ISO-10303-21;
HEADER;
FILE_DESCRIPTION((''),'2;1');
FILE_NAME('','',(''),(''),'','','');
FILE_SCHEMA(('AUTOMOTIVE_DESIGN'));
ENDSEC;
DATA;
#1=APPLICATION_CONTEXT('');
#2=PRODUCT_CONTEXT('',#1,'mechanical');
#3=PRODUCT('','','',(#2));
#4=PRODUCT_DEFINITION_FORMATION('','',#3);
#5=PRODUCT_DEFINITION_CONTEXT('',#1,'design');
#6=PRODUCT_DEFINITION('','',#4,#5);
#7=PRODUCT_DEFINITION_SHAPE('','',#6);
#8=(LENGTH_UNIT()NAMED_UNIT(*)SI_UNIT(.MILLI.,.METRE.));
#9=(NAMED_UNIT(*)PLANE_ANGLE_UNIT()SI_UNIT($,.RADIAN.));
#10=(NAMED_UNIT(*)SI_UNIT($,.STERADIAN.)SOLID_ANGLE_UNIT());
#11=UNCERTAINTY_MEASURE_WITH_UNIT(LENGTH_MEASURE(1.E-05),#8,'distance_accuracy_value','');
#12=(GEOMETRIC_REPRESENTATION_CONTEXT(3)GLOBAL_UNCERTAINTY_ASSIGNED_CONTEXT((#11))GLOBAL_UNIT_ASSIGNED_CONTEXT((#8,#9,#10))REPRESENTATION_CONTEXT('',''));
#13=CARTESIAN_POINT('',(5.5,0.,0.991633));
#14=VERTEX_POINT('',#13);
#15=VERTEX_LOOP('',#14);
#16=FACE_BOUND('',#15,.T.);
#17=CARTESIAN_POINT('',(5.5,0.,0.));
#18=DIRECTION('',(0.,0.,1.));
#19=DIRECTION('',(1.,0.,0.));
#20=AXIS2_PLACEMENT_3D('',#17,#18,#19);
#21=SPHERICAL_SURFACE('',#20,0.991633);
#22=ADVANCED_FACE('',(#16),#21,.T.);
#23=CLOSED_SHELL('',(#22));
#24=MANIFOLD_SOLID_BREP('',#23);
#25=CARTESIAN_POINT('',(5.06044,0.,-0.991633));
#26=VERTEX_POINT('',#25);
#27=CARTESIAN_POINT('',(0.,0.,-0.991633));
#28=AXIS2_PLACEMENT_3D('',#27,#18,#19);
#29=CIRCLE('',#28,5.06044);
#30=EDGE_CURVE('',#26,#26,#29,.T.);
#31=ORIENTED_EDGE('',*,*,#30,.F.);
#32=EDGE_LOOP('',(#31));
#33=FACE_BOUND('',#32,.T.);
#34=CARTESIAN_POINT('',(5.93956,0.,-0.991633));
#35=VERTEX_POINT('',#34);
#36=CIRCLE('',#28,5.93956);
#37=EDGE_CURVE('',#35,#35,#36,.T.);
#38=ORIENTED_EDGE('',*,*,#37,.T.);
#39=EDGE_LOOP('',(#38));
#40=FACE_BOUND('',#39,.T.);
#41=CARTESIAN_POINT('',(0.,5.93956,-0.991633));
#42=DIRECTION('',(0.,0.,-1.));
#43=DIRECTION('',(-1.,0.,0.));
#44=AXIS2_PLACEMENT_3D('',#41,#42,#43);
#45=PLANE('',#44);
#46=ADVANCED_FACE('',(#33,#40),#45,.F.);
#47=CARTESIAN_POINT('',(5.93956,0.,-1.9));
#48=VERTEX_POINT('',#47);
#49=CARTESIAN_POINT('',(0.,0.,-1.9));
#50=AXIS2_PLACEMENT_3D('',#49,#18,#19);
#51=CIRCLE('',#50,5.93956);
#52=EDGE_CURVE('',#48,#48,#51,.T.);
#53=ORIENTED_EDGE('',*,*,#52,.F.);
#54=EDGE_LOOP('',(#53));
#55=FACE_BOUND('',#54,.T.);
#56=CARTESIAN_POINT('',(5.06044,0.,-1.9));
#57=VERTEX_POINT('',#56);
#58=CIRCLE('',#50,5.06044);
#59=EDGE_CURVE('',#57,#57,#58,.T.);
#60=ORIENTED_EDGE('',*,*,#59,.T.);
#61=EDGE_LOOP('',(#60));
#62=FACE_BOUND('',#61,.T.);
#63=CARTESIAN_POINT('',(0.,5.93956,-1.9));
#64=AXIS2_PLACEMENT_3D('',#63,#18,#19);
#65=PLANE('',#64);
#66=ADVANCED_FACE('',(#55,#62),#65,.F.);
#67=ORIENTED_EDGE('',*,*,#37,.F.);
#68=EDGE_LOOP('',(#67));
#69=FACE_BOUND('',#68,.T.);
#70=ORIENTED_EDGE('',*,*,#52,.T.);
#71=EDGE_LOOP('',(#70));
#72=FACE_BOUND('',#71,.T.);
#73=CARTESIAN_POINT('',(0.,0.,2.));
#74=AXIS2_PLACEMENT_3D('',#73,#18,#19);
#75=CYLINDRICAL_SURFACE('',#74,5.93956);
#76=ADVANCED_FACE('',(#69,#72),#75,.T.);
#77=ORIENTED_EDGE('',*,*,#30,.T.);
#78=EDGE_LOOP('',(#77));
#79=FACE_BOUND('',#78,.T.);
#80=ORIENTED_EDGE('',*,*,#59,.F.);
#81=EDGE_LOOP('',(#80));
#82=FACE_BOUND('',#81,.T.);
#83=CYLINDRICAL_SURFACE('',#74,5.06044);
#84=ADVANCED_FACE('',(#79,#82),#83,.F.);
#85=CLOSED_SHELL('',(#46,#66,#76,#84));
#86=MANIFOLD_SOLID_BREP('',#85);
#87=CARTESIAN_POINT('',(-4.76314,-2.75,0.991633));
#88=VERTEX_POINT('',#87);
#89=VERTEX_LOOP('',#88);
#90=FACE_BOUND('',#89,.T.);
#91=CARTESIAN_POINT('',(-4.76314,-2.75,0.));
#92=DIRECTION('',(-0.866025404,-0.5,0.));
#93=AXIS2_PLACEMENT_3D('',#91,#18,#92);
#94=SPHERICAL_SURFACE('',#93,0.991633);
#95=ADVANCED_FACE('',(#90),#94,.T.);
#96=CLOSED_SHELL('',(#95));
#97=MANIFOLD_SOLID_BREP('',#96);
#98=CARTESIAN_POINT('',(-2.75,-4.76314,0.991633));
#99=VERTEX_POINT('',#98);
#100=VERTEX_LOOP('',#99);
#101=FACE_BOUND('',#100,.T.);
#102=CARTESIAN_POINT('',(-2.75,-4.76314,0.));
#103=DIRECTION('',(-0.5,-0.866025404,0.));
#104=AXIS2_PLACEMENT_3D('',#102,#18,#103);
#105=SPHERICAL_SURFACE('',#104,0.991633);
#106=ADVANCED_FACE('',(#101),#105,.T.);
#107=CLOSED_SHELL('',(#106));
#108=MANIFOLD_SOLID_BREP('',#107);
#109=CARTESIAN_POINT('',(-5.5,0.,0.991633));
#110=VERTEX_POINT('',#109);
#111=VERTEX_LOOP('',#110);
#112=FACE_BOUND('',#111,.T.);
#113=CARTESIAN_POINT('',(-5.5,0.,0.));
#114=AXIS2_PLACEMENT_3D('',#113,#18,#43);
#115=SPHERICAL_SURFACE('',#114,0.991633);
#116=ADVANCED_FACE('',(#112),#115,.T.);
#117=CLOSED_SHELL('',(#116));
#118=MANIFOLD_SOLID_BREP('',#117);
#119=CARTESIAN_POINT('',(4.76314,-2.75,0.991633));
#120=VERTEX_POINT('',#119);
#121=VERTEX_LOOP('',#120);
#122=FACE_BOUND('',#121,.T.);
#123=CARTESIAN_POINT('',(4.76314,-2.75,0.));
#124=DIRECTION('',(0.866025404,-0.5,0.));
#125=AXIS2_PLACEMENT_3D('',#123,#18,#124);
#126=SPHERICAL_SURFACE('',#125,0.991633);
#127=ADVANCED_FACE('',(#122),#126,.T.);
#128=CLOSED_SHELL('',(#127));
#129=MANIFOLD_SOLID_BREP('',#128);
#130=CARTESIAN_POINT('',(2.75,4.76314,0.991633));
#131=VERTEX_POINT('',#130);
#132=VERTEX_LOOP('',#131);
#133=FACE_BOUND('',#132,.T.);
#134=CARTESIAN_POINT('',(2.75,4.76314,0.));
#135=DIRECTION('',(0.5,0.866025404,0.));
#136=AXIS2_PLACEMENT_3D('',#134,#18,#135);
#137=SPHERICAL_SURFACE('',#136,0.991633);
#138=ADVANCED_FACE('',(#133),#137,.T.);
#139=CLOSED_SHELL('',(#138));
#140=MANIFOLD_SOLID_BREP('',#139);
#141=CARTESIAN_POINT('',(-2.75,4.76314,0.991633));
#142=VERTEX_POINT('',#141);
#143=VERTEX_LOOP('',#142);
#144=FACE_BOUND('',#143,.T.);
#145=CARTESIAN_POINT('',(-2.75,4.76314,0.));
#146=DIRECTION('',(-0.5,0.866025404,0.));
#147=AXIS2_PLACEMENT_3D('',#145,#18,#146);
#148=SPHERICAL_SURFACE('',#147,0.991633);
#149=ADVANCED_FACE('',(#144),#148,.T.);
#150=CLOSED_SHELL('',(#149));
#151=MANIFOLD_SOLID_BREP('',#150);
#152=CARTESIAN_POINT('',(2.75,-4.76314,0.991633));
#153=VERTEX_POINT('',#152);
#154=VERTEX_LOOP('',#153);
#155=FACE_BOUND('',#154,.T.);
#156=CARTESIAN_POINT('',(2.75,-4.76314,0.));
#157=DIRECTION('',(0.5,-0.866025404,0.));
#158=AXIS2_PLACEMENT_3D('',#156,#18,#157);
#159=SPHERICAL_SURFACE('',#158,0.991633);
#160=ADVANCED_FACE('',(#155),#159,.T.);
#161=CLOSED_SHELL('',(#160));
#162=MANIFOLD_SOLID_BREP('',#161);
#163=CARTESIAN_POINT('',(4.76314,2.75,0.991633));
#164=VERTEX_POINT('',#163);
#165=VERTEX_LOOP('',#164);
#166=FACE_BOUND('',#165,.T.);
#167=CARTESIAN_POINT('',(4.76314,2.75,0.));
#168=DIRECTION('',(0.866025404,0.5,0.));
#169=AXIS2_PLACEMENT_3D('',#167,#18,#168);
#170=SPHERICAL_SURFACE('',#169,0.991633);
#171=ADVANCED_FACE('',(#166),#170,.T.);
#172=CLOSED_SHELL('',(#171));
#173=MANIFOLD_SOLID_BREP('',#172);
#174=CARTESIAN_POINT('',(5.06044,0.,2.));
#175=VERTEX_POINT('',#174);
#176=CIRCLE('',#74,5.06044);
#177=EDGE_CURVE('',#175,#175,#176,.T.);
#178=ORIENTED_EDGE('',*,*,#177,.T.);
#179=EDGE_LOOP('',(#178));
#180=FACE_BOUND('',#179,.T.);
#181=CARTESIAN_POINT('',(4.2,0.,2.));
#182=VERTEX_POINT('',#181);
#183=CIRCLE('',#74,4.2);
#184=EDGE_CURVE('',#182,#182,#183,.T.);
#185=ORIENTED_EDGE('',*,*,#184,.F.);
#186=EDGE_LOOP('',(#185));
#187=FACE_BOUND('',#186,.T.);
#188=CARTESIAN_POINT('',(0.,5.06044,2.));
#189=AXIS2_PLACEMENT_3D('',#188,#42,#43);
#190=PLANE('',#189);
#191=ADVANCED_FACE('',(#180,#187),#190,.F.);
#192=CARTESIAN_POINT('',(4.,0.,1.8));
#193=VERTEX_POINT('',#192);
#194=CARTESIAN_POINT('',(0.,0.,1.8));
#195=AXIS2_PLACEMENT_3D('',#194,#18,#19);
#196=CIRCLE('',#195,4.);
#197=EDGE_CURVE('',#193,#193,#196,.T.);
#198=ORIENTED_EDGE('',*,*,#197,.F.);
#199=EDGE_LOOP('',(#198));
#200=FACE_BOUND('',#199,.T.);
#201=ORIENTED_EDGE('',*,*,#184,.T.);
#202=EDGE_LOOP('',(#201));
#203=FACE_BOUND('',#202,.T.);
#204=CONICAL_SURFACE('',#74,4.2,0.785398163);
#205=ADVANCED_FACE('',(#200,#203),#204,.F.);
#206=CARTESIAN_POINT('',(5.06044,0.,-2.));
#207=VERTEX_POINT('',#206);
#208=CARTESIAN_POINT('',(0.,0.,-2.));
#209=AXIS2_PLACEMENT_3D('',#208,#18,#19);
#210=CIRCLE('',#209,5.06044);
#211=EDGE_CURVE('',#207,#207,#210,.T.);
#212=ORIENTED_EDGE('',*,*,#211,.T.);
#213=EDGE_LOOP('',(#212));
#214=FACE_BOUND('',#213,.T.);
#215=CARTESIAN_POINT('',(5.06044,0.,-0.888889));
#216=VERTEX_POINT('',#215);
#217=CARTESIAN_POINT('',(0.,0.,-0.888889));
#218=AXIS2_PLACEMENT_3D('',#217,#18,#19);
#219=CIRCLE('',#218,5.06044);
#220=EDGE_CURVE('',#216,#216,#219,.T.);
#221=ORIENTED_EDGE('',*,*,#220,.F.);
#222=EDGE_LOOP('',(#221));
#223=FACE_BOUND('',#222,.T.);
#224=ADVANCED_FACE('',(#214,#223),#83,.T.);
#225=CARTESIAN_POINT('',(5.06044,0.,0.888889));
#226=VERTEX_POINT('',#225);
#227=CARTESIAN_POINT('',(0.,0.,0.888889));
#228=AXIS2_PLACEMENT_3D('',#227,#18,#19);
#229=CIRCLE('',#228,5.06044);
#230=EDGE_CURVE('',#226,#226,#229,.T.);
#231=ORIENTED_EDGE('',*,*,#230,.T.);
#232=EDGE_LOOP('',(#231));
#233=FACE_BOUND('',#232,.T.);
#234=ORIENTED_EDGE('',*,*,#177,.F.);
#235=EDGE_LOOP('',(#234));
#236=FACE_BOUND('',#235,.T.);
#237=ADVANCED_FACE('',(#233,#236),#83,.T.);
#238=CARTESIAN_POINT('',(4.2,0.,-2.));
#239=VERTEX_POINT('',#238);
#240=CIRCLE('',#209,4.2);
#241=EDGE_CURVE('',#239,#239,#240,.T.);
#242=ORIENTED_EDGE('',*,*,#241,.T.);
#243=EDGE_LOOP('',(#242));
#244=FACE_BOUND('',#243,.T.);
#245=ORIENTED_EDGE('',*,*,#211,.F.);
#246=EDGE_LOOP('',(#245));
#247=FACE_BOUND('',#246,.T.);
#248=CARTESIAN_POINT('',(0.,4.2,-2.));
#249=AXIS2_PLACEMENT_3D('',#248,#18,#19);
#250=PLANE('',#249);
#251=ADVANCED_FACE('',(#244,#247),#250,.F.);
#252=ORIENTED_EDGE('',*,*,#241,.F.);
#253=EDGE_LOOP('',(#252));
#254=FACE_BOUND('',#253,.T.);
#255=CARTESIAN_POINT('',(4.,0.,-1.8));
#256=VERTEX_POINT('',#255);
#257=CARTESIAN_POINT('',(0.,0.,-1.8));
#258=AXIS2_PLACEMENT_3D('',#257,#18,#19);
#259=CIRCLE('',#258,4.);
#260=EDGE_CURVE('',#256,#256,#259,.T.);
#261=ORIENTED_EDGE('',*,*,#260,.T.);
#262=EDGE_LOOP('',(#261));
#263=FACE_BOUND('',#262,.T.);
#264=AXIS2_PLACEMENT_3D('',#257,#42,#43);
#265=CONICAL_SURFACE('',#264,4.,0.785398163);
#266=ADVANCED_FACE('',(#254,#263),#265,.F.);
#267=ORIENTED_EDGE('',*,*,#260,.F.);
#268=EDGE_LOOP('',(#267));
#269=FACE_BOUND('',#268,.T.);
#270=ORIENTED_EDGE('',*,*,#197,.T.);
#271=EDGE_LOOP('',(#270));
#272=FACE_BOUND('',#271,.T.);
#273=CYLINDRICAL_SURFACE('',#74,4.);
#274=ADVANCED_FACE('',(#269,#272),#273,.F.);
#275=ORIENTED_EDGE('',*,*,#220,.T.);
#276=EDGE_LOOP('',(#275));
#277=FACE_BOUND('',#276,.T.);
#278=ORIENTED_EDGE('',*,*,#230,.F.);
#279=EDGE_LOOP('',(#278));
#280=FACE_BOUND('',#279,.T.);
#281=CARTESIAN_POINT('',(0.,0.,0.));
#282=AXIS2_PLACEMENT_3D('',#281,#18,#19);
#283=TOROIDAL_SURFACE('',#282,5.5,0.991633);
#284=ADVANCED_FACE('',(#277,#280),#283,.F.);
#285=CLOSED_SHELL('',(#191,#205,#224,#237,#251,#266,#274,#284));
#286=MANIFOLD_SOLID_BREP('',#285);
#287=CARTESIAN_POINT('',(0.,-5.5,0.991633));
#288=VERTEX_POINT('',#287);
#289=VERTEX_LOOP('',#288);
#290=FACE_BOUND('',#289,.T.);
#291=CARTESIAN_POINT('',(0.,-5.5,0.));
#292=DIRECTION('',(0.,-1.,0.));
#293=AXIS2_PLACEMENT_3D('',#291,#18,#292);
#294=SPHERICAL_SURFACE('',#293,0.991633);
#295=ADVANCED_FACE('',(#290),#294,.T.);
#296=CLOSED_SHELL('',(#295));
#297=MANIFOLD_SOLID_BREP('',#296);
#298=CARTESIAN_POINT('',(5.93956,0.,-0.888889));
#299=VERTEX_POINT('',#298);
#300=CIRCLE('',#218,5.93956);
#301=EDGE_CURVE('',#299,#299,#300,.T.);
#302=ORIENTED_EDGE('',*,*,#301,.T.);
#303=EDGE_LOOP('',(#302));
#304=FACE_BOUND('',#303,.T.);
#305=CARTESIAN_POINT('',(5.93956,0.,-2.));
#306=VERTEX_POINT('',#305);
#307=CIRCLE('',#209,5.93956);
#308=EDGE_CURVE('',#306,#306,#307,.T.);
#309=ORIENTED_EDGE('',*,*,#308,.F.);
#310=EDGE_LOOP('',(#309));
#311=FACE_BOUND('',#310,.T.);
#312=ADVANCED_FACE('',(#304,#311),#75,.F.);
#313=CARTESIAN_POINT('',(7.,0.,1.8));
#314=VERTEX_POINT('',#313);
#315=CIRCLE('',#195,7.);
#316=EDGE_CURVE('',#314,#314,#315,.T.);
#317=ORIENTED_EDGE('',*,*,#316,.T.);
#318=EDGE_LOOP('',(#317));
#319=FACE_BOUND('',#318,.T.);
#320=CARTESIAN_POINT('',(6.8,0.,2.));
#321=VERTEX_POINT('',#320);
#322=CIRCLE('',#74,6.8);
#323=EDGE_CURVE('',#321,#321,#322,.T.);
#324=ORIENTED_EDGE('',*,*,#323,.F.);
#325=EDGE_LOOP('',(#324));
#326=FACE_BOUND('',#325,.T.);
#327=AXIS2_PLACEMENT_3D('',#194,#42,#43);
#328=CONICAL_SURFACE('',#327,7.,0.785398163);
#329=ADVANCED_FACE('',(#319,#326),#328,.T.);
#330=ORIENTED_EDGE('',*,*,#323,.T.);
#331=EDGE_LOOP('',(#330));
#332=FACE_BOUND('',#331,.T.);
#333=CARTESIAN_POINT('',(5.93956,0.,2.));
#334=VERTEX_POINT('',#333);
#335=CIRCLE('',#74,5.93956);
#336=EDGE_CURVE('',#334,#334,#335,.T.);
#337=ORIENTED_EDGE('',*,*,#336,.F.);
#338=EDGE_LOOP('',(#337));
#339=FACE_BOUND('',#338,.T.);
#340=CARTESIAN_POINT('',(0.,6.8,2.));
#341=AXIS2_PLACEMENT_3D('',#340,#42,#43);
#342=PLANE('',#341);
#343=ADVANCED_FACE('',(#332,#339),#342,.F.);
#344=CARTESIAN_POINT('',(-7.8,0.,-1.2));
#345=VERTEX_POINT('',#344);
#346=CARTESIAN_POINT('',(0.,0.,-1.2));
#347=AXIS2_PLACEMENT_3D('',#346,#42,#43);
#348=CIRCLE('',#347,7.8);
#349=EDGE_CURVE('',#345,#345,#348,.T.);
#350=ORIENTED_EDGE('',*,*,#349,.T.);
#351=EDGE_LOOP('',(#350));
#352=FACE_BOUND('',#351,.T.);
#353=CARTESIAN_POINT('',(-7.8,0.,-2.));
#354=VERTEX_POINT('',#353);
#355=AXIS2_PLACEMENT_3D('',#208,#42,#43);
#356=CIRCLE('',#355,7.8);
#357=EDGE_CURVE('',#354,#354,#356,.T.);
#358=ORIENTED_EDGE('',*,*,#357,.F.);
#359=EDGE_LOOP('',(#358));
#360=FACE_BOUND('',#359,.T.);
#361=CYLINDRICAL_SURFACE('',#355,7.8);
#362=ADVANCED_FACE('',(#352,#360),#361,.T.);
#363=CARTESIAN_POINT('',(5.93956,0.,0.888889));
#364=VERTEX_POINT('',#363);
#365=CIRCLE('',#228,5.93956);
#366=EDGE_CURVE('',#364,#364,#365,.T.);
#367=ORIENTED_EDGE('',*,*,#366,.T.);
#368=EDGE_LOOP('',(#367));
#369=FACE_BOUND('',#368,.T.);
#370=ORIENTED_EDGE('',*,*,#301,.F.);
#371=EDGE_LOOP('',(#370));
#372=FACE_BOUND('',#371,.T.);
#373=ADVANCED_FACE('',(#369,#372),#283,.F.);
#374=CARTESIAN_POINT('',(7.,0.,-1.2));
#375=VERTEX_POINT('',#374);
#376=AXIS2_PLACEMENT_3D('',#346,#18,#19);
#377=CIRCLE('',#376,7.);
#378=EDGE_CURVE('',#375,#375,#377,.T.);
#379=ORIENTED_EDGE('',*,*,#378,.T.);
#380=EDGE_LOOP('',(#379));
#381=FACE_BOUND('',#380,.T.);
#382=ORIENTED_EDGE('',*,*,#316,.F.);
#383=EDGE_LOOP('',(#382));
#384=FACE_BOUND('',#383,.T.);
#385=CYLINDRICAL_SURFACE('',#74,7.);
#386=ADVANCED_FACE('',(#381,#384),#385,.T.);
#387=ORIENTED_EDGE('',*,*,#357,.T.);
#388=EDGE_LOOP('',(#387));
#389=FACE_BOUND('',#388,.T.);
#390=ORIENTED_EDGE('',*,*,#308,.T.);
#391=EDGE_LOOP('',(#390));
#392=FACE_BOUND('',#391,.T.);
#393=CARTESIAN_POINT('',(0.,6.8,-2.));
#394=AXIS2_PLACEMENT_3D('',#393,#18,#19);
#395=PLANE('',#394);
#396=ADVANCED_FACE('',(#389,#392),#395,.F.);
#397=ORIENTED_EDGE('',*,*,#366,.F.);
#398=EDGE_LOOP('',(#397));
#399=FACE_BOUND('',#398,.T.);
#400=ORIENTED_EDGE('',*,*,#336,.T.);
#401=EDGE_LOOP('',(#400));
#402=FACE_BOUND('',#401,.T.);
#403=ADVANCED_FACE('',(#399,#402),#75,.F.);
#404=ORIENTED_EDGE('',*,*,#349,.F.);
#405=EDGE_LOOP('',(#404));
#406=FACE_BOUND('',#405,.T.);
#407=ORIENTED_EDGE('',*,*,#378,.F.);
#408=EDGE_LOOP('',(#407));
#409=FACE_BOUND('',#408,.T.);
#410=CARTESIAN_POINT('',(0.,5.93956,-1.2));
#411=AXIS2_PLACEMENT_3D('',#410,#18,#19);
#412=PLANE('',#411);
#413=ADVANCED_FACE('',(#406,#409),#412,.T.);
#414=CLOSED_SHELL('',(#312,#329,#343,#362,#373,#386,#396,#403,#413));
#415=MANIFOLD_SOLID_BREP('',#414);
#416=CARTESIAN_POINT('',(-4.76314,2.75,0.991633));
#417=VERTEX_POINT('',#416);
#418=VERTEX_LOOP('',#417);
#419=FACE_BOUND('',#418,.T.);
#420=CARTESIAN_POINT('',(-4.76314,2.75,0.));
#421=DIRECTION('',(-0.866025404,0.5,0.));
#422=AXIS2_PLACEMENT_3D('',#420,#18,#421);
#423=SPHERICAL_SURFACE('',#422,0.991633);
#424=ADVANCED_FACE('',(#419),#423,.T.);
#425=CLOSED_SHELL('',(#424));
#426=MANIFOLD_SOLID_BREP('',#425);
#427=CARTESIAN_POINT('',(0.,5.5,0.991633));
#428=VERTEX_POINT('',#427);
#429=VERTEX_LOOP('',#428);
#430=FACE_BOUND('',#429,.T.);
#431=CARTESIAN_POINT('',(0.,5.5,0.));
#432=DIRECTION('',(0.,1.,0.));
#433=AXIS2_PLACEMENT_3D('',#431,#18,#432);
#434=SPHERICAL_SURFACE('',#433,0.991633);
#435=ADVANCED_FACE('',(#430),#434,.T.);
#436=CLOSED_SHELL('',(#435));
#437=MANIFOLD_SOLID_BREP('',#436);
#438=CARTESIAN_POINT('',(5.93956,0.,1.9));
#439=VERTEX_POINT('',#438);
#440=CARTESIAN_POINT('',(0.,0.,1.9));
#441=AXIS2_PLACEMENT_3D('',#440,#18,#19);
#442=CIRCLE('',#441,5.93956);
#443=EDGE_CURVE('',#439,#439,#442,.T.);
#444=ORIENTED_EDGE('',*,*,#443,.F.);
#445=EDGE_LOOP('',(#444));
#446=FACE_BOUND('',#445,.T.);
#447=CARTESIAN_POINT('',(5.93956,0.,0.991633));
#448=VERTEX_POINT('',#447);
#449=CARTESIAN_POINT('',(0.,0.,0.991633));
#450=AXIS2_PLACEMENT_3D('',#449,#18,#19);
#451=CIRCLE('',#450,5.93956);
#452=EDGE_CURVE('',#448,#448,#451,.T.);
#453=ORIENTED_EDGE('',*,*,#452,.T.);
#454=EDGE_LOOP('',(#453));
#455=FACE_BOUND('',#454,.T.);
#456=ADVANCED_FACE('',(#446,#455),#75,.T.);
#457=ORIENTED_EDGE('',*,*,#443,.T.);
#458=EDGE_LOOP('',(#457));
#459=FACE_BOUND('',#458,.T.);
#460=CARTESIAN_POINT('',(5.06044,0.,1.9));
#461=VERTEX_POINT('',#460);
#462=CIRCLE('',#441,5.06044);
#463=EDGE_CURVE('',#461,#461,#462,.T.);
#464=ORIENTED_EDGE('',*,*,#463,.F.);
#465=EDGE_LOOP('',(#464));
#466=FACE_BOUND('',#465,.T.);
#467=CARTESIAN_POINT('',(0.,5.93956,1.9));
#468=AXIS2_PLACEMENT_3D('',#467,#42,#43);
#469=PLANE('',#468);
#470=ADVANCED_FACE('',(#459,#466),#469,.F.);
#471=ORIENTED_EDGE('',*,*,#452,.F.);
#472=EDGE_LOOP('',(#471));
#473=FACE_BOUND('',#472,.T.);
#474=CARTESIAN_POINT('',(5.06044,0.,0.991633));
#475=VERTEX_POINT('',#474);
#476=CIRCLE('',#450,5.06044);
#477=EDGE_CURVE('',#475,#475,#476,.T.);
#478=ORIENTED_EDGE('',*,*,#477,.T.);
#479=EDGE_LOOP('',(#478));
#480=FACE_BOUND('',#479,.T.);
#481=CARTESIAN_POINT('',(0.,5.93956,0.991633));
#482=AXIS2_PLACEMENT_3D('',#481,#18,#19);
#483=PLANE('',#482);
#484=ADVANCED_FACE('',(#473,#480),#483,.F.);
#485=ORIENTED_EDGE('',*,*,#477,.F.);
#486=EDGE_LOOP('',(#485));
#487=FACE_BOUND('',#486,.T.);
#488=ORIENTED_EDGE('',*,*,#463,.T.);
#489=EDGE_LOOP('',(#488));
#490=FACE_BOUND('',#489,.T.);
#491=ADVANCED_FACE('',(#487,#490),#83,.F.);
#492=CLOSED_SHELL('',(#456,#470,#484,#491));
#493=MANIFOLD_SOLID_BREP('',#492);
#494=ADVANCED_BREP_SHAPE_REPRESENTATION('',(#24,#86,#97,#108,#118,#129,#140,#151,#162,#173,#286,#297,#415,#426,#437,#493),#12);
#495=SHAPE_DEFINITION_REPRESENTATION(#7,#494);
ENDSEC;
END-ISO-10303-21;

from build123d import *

# Parameters (mm, degrees)
CIRPATTERN1_COUNT = 12
SKETCH5_W         = 0.908366581
SKETCH5_H         = 0.87912088
SKETCH6_W         = 0.8
SKETCH6_H         = 1.86043956


with BuildPart() as part:
    # Sketch1 → Revolve1 (revolve)
    with BuildSketch(Plane(origin=(0, 0, 0), x_dir=(0, 0, -1), z_dir=(1, 0, 0))):
        with BuildLine():
            Line((1.8, 7), (-1.8, 7))
            Line((-1.8, 7), (-2, 6.8))
            Line((-2, 6.8), (-2, 5.93956044))
            Line((-2, 5.93956044), (-0.888888889, 5.93956044))
            ThreePointArc((-0.888888889, 5.93956044), (0, 6.491633419), (0.888888889, 5.93956044))
            Line((0.888888889, 5.93956044), (2, 5.93956044))
            Line((2, 5.93956044), (2, 6.8))
            Line((2, 6.8), (1.8, 7))
        make_face()
    revolve(axis=Axis((0, 0, 2), (0, 0, -1)))

    # Sketch6 → Revolve6 (revolve)
    with BuildSketch(Plane(origin=(0, 0, 0), x_dir=(0, 0, -1), z_dir=(1, 0, 0))):
        with Locations((1.6, 6.86978022)):
            Rectangle(SKETCH6_W, SKETCH6_H)
    revolve(axis=Axis((0, 0, -2), (0, 0, 1)))


with BuildPart() as body_2:
    # Sketch3 → Revolve3 (revolve)
    with BuildSketch(Plane(origin=(0, 0, 0), x_dir=(0, 0, -1), z_dir=(1, 0, 0))):
        with BuildLine():
            Line((-2, 5.06043956), (-0.888888889, 5.06043956))
            ThreePointArc((-0.888888889, 5.06043956), (0, 4.508366581), (0.888888889, 5.06043956))
            Line((0.888888889, 5.06043956), (2, 5.06043956))
            Line((2, 5.06043956), (2, 4.2))
            Line((2, 4.2), (1.8, 4))
            Line((1.8, 4), (-1.8, 4))
            Line((-1.8, 4), (-2, 4.2))
            Line((-2, 4.2), (-2, 5.06043956))
        make_face()
    revolve(axis=Axis((0, 0, 2), (0, 0, -1)))


with BuildPart() as body_3:
    # Sketch4 → Revolve4 (revolve)
    with BuildSketch(Plane(origin=(0, 0, 0), x_dir=(0, 0, -1), z_dir=(1, 0, 0))):
        with BuildLine():
            Line((-0.991633419, 5.5), (0.991633419, 5.5))
            ThreePointArc((0.991633419, 5.5), (0, 6.491633419), (-0.991633419, 5.5))
        make_face()
    revolve(axis=Axis((0, 5.5, 0.991633419), (0, 0, -1)))


with BuildPart() as cirpattern1_1:
    # CirPattern1: pattern copy
    add(body_3.part.rotate(Axis((0, 0, -2), (0, 0, 1)), 1 * 360 / CIRPATTERN1_COUNT))


with BuildPart() as cirpattern1_2:
    # CirPattern1: pattern copy
    add(body_3.part.rotate(Axis((0, 0, -2), (0, 0, 1)), 2 * 360 / CIRPATTERN1_COUNT))


with BuildPart() as cirpattern1_3:
    # CirPattern1: pattern copy
    add(body_3.part.rotate(Axis((0, 0, -2), (0, 0, 1)), 3 * 360 / CIRPATTERN1_COUNT))


with BuildPart() as cirpattern1_4:
    # CirPattern1: pattern copy
    add(body_3.part.rotate(Axis((0, 0, -2), (0, 0, 1)), 4 * 360 / CIRPATTERN1_COUNT))


with BuildPart() as cirpattern1_5:
    # CirPattern1: pattern copy
    add(body_3.part.rotate(Axis((0, 0, -2), (0, 0, 1)), 5 * 360 / CIRPATTERN1_COUNT))


with BuildPart() as cirpattern1_6:
    # CirPattern1: pattern copy
    add(body_3.part.rotate(Axis((0, 0, -2), (0, 0, 1)), 6 * 360 / CIRPATTERN1_COUNT))


with BuildPart() as cirpattern1_7:
    # CirPattern1: pattern copy
    add(body_3.part.rotate(Axis((0, 0, -2), (0, 0, 1)), 7 * 360 / CIRPATTERN1_COUNT))


with BuildPart() as cirpattern1_8:
    # CirPattern1: pattern copy
    add(body_3.part.rotate(Axis((0, 0, -2), (0, 0, 1)), 8 * 360 / CIRPATTERN1_COUNT))


with BuildPart() as cirpattern1_9:
    # CirPattern1: pattern copy
    add(body_3.part.rotate(Axis((0, 0, -2), (0, 0, 1)), 9 * 360 / CIRPATTERN1_COUNT))


with BuildPart() as cirpattern1_10:
    # CirPattern1: pattern copy
    add(body_3.part.rotate(Axis((0, 0, -2), (0, 0, 1)), 10 * 360 / CIRPATTERN1_COUNT))


with BuildPart() as cirpattern1_11:
    # CirPattern1: pattern copy
    add(body_3.part.rotate(Axis((0, 0, -2), (0, 0, 1)), 11 * 360 / CIRPATTERN1_COUNT))


with BuildPart() as body_15:
    # Sketch5 → Revolve5 (revolve)
    with BuildSketch(Plane(origin=(0, 0, 0), x_dir=(0, 0, -1), z_dir=(1, 0, 0))):
        with Locations((-1.44581671, 5.5)):
            Rectangle(SKETCH5_W, SKETCH5_H)
        with Locations((1.44581671, 5.5)):
            Rectangle(SKETCH5_W, SKETCH5_H)
    revolve(axis=Axis((0, 0, 2), (0, 0, -1)))


solid = Compound([part.part, body_2.part, body_3.part, cirpattern1_1.part, cirpattern1_2.part, cirpattern1_3.part, cirpattern1_4.part, cirpattern1_5.part, cirpattern1_6.part, cirpattern1_7.part, cirpattern1_8.part, cirpattern1_9.part, cirpattern1_10.part, cirpattern1_11.part, body_15.part])
